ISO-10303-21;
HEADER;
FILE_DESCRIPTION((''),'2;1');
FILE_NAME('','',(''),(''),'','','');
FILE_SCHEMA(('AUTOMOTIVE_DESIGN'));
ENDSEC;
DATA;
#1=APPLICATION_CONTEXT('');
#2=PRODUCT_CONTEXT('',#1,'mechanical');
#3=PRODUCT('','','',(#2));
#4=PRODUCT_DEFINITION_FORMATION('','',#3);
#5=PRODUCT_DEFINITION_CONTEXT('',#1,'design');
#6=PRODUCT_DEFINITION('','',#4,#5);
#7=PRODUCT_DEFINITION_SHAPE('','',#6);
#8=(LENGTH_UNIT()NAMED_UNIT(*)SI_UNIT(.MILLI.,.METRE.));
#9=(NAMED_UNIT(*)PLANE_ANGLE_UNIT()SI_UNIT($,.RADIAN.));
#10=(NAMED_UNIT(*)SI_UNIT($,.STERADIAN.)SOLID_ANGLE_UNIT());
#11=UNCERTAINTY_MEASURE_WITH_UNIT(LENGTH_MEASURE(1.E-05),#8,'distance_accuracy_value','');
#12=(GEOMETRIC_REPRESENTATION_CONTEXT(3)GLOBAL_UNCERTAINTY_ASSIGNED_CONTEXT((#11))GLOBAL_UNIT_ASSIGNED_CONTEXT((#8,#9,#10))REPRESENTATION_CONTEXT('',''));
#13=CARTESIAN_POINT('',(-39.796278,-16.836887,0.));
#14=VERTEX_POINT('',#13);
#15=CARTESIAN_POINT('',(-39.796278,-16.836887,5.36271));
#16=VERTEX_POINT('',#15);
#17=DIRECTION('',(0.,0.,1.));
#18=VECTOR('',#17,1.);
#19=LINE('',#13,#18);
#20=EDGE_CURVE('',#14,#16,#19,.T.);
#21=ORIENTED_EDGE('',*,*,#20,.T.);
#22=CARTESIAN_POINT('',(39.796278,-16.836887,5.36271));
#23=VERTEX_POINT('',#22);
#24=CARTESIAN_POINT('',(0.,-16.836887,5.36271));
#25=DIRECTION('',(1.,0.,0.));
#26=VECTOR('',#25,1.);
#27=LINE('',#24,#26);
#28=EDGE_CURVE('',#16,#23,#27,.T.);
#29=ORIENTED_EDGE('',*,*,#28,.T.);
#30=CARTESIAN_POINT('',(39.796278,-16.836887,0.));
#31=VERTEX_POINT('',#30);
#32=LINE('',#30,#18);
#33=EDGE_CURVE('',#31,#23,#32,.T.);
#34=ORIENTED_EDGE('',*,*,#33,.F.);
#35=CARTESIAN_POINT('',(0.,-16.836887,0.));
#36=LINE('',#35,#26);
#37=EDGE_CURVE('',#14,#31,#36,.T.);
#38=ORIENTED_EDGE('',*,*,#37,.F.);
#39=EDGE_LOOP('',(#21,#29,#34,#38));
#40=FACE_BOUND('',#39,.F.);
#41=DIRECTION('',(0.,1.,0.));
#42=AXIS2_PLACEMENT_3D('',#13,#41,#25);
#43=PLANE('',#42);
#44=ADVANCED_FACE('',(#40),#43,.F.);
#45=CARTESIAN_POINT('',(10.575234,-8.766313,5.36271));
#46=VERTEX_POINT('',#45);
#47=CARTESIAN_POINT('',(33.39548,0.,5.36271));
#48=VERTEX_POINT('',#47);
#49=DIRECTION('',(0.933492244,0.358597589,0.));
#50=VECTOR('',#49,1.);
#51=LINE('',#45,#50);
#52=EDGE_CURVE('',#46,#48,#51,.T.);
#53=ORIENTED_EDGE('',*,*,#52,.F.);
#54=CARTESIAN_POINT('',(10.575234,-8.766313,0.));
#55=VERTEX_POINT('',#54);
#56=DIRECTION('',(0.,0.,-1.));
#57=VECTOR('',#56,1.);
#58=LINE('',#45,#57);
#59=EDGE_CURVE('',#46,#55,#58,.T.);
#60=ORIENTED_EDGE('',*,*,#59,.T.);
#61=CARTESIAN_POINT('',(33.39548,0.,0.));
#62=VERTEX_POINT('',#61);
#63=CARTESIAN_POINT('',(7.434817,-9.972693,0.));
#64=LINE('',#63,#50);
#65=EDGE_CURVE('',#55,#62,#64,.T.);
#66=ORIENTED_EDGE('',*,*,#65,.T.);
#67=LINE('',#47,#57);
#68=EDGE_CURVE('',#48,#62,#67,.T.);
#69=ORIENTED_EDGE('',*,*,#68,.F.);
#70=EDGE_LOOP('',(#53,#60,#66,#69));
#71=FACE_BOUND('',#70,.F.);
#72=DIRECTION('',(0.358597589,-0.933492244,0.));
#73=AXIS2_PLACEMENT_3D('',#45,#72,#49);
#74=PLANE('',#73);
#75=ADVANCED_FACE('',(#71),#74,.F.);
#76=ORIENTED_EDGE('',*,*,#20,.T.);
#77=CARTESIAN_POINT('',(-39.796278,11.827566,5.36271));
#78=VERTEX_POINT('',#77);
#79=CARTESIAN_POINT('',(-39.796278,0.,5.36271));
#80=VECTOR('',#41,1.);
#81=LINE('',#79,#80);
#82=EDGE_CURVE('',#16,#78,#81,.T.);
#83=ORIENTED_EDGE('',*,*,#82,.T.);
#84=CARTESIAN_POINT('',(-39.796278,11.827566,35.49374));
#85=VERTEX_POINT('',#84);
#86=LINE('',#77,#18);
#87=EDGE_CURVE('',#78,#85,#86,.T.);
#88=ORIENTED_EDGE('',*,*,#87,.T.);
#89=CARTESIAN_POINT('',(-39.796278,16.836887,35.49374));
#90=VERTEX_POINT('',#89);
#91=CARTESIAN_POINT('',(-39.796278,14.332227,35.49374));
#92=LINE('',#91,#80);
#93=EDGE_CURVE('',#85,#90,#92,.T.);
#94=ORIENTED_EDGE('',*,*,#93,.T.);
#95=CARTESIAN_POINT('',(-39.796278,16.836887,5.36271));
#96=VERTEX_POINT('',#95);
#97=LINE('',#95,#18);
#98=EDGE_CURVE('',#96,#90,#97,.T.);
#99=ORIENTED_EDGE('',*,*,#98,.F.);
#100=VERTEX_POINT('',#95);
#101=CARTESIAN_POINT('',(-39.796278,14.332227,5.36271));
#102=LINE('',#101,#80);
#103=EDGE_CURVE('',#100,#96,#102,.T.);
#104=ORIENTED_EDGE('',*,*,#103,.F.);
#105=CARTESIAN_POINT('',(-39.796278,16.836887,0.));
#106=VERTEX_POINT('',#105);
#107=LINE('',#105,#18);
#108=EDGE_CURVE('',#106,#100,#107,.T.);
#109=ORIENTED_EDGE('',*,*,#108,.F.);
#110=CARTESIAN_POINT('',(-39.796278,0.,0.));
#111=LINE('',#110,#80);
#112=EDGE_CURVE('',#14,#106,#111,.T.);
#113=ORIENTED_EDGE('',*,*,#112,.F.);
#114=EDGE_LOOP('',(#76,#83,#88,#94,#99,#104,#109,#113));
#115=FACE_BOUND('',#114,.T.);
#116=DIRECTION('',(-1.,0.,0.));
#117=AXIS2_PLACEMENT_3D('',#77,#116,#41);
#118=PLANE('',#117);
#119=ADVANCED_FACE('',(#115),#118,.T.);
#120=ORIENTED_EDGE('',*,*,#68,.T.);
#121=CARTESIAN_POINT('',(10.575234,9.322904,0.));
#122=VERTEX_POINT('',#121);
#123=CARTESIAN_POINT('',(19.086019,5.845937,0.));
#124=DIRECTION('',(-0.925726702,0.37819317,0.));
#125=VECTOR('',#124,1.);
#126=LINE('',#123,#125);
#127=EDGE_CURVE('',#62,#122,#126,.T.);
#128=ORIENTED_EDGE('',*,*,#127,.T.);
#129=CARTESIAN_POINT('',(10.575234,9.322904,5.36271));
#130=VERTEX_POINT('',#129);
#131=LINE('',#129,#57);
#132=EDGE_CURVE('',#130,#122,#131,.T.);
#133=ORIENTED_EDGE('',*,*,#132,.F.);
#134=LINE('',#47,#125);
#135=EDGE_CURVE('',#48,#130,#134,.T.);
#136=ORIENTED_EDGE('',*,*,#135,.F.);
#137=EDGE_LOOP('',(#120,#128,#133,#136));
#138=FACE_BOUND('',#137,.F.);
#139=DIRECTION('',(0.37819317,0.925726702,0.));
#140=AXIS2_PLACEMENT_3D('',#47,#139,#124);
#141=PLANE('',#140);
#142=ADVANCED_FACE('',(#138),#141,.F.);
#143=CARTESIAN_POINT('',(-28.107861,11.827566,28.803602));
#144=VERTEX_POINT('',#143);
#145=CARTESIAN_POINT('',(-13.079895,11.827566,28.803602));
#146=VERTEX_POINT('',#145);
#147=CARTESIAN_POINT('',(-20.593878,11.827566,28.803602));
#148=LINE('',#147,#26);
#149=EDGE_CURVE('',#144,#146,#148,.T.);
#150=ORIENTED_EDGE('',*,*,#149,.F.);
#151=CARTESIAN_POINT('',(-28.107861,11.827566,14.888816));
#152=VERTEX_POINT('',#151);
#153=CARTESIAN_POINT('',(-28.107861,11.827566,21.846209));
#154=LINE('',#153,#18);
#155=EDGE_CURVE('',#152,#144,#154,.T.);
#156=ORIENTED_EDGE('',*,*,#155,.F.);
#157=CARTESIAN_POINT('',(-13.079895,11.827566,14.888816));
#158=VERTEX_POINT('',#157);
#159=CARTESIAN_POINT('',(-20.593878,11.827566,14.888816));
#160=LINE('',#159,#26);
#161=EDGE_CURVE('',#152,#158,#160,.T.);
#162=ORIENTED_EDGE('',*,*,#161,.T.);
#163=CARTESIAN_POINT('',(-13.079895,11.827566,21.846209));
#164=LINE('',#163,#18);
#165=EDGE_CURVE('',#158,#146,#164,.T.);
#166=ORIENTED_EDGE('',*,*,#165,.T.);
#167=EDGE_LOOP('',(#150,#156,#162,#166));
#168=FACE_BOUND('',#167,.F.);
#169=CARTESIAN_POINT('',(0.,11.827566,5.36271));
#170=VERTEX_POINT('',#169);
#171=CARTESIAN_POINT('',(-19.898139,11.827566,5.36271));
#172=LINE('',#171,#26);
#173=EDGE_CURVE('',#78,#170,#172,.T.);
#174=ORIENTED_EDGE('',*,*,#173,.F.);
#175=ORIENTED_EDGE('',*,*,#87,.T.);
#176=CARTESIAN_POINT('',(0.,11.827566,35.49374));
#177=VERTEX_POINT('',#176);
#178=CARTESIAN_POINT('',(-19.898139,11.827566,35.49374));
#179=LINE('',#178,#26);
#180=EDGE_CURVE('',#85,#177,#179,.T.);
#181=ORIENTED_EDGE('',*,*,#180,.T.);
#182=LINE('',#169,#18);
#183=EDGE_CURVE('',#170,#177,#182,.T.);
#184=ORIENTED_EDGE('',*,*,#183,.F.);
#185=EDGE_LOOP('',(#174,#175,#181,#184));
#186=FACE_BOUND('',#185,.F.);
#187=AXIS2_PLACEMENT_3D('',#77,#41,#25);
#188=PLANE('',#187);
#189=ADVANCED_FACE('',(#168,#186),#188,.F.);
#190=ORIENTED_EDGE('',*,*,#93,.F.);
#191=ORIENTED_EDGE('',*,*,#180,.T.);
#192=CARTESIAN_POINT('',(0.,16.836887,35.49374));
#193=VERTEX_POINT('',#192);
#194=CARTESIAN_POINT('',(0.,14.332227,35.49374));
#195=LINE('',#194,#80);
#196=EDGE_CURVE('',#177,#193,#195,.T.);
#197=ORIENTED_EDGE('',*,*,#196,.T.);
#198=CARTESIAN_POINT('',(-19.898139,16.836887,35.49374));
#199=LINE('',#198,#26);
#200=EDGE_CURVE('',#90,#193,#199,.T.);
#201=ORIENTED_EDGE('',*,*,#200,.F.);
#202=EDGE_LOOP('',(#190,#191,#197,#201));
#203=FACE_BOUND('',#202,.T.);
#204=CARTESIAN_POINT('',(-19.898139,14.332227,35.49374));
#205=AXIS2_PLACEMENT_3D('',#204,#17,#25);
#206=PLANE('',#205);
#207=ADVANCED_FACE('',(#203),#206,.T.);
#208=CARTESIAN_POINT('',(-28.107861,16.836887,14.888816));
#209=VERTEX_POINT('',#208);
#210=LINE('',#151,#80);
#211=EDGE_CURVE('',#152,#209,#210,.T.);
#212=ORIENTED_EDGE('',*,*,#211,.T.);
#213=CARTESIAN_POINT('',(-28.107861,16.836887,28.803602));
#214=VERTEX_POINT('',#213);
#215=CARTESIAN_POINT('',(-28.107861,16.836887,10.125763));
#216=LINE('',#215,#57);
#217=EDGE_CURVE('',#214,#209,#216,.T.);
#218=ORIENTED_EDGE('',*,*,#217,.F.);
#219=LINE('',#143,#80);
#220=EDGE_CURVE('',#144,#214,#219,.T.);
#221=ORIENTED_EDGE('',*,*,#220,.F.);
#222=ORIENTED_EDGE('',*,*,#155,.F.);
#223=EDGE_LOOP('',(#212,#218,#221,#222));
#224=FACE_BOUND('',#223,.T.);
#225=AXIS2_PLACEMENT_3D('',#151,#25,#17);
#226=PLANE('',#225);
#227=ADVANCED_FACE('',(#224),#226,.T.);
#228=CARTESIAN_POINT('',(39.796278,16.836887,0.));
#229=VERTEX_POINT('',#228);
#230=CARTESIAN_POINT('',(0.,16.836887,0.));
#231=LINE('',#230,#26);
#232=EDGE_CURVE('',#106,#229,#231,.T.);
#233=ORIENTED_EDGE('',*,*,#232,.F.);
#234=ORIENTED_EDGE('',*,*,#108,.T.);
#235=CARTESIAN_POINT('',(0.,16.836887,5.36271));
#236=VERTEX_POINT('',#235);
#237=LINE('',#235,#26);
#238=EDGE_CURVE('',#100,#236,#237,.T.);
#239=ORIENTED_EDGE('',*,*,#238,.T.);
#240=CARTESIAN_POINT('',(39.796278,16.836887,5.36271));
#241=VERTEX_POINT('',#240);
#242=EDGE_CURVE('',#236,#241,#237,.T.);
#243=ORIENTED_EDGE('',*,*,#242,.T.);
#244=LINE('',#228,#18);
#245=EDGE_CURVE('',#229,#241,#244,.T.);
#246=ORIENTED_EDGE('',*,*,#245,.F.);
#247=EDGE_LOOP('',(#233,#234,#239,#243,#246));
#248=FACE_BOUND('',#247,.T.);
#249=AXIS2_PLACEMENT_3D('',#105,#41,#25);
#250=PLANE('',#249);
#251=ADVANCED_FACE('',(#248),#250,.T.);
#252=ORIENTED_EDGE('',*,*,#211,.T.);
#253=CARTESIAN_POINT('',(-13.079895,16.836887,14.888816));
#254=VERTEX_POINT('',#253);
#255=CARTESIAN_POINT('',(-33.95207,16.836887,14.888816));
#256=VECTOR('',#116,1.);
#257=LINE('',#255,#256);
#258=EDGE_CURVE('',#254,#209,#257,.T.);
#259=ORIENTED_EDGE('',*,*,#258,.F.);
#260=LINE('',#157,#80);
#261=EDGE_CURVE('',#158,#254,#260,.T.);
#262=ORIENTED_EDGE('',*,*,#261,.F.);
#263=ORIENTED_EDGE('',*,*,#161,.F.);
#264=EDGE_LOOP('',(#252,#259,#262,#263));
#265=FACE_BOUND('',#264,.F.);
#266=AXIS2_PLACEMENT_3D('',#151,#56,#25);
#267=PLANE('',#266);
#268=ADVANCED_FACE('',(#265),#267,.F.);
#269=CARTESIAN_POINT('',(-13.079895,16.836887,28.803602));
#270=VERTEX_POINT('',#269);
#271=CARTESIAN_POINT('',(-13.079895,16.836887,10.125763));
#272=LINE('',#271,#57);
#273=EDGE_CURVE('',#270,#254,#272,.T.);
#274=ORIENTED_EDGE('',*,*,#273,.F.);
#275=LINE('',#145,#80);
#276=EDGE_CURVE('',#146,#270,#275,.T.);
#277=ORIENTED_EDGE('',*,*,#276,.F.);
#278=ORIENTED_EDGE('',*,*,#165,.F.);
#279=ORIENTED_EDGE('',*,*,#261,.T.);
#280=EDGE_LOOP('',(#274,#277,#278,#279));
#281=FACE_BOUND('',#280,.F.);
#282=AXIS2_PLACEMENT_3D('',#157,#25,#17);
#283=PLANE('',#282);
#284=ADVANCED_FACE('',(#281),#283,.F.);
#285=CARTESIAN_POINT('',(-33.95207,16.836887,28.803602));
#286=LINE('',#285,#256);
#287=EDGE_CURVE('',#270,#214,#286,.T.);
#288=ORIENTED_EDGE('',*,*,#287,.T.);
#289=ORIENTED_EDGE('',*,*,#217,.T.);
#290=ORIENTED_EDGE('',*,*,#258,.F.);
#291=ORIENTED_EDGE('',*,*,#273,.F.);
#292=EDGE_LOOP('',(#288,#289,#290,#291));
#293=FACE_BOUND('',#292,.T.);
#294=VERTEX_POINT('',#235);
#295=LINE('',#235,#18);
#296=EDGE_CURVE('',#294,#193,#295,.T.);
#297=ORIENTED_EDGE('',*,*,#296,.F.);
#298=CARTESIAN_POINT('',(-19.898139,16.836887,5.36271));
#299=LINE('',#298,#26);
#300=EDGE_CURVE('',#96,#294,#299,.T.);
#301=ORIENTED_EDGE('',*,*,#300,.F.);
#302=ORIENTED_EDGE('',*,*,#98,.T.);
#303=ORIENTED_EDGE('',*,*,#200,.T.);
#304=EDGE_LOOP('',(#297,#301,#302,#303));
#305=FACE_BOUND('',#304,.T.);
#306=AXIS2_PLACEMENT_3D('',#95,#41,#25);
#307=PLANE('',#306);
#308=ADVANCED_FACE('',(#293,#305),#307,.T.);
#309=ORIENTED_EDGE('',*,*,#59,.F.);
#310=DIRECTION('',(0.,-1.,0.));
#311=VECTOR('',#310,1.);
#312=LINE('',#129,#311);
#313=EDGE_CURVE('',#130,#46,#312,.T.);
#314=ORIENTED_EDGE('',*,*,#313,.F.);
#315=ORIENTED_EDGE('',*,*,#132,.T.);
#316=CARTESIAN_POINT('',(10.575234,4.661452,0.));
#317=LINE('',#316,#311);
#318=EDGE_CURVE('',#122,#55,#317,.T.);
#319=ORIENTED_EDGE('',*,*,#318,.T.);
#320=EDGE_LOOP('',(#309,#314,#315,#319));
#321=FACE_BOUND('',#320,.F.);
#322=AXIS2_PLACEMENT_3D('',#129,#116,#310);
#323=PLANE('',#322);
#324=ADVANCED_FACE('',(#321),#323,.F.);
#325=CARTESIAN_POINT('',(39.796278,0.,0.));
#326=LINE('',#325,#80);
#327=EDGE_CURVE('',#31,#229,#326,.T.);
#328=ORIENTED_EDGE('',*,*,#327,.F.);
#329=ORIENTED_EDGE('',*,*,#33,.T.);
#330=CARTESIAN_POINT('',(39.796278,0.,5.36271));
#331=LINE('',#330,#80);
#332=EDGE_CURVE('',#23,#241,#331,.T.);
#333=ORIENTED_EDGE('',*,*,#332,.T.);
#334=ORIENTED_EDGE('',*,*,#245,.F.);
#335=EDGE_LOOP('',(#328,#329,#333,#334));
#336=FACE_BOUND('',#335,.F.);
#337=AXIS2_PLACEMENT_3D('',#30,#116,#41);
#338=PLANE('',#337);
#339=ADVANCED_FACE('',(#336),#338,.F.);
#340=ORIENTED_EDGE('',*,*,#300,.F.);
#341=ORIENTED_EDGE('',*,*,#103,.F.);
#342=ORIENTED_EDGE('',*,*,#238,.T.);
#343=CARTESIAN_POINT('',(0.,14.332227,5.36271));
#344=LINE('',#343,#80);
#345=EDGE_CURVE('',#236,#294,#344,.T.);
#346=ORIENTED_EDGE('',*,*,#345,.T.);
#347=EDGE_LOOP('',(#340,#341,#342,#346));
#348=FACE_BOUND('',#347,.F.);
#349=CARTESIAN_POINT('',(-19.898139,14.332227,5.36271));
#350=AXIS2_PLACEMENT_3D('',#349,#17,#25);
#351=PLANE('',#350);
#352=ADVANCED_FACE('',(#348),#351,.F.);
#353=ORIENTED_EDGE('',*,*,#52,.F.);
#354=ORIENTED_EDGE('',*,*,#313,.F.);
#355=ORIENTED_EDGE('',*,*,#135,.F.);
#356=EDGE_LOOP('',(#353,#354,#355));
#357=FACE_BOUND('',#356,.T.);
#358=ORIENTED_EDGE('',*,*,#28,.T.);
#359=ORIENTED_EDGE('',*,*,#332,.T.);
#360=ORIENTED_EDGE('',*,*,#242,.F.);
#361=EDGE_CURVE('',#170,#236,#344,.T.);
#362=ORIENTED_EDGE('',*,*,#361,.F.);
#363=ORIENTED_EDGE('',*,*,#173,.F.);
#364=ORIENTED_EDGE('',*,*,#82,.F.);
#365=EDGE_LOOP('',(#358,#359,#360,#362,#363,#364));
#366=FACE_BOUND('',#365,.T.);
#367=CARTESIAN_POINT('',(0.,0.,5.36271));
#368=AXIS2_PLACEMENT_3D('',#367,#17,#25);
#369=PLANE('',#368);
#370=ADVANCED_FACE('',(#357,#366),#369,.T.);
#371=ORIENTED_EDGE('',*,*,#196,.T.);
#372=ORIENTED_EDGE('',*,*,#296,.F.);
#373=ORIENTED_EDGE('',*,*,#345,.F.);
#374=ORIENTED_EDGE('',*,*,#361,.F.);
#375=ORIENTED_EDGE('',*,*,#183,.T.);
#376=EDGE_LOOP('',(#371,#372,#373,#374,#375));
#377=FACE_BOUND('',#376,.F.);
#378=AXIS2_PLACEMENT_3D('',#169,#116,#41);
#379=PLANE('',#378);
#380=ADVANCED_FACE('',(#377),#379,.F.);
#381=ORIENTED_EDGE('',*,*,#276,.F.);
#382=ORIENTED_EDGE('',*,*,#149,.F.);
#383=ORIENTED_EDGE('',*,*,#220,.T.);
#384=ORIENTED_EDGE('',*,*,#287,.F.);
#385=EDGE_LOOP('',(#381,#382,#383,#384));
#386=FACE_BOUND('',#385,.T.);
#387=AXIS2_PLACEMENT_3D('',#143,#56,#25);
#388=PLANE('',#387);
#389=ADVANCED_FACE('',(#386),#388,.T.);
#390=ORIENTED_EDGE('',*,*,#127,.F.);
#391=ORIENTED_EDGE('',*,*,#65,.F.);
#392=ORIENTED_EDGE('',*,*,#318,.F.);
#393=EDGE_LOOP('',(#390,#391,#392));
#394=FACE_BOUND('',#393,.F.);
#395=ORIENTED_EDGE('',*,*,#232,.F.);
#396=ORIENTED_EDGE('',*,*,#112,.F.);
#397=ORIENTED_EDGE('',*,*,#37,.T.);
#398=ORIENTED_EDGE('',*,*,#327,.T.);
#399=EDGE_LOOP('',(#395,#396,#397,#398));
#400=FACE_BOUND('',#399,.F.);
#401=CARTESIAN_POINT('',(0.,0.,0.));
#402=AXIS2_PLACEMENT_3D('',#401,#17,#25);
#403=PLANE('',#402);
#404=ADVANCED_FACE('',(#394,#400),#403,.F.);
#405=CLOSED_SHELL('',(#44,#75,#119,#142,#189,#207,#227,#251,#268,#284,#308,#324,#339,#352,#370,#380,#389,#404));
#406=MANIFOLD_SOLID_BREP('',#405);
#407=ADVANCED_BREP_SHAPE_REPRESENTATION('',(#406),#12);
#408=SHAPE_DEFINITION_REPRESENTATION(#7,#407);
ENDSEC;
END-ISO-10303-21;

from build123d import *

# Parameters (mm, degrees)
F0_W     = 79.592556
F0_H     = 33.673774
F1_DEPTH = 5.36271
F2_W     = 39.796278
F2_H     = 5.009321
F3_DEPTH = 30.13103
F4_W     = 15.027966
F4_H     = 13.914786
F5_DEPTH = 5.010321
F7_DEPTH = 5.36371


with BuildPart() as f1:
    # F0 (on Top) → F1 (new body)
    with BuildSketch(Plane.XY):
        Rectangle(F0_W, F0_H)
    extrude(amount=F1_DEPTH)

    # F2 (on face) → F3 (join)
    with BuildSketch(Plane.XY.offset(5.36271)):
        with Locations((-19.898139, 14.332227)):
            Rectangle(F2_W, F2_H)
    extrude(amount=F3_DEPTH)

    # F4 (on face) → F5 (cut, through all)
    with BuildSketch(Plane.XZ.offset(-11.827566)):
        with Locations((-20.593878, 21.846209)):
            Rectangle(F4_W, F4_H)
    extrude(amount=-F5_DEPTH, mode=Mode.SUBTRACT)

    # F6 (on face) → F7 (cut, through all)
    with BuildSketch(Plane.XY.offset(5.36271)):
        Polygon((33.39548, 0), (10.575234, 9.322904), (10.575234, -8.766313), align=None)
    extrude(amount=-F7_DEPTH, mode=Mode.SUBTRACT)


solid = f1.part
